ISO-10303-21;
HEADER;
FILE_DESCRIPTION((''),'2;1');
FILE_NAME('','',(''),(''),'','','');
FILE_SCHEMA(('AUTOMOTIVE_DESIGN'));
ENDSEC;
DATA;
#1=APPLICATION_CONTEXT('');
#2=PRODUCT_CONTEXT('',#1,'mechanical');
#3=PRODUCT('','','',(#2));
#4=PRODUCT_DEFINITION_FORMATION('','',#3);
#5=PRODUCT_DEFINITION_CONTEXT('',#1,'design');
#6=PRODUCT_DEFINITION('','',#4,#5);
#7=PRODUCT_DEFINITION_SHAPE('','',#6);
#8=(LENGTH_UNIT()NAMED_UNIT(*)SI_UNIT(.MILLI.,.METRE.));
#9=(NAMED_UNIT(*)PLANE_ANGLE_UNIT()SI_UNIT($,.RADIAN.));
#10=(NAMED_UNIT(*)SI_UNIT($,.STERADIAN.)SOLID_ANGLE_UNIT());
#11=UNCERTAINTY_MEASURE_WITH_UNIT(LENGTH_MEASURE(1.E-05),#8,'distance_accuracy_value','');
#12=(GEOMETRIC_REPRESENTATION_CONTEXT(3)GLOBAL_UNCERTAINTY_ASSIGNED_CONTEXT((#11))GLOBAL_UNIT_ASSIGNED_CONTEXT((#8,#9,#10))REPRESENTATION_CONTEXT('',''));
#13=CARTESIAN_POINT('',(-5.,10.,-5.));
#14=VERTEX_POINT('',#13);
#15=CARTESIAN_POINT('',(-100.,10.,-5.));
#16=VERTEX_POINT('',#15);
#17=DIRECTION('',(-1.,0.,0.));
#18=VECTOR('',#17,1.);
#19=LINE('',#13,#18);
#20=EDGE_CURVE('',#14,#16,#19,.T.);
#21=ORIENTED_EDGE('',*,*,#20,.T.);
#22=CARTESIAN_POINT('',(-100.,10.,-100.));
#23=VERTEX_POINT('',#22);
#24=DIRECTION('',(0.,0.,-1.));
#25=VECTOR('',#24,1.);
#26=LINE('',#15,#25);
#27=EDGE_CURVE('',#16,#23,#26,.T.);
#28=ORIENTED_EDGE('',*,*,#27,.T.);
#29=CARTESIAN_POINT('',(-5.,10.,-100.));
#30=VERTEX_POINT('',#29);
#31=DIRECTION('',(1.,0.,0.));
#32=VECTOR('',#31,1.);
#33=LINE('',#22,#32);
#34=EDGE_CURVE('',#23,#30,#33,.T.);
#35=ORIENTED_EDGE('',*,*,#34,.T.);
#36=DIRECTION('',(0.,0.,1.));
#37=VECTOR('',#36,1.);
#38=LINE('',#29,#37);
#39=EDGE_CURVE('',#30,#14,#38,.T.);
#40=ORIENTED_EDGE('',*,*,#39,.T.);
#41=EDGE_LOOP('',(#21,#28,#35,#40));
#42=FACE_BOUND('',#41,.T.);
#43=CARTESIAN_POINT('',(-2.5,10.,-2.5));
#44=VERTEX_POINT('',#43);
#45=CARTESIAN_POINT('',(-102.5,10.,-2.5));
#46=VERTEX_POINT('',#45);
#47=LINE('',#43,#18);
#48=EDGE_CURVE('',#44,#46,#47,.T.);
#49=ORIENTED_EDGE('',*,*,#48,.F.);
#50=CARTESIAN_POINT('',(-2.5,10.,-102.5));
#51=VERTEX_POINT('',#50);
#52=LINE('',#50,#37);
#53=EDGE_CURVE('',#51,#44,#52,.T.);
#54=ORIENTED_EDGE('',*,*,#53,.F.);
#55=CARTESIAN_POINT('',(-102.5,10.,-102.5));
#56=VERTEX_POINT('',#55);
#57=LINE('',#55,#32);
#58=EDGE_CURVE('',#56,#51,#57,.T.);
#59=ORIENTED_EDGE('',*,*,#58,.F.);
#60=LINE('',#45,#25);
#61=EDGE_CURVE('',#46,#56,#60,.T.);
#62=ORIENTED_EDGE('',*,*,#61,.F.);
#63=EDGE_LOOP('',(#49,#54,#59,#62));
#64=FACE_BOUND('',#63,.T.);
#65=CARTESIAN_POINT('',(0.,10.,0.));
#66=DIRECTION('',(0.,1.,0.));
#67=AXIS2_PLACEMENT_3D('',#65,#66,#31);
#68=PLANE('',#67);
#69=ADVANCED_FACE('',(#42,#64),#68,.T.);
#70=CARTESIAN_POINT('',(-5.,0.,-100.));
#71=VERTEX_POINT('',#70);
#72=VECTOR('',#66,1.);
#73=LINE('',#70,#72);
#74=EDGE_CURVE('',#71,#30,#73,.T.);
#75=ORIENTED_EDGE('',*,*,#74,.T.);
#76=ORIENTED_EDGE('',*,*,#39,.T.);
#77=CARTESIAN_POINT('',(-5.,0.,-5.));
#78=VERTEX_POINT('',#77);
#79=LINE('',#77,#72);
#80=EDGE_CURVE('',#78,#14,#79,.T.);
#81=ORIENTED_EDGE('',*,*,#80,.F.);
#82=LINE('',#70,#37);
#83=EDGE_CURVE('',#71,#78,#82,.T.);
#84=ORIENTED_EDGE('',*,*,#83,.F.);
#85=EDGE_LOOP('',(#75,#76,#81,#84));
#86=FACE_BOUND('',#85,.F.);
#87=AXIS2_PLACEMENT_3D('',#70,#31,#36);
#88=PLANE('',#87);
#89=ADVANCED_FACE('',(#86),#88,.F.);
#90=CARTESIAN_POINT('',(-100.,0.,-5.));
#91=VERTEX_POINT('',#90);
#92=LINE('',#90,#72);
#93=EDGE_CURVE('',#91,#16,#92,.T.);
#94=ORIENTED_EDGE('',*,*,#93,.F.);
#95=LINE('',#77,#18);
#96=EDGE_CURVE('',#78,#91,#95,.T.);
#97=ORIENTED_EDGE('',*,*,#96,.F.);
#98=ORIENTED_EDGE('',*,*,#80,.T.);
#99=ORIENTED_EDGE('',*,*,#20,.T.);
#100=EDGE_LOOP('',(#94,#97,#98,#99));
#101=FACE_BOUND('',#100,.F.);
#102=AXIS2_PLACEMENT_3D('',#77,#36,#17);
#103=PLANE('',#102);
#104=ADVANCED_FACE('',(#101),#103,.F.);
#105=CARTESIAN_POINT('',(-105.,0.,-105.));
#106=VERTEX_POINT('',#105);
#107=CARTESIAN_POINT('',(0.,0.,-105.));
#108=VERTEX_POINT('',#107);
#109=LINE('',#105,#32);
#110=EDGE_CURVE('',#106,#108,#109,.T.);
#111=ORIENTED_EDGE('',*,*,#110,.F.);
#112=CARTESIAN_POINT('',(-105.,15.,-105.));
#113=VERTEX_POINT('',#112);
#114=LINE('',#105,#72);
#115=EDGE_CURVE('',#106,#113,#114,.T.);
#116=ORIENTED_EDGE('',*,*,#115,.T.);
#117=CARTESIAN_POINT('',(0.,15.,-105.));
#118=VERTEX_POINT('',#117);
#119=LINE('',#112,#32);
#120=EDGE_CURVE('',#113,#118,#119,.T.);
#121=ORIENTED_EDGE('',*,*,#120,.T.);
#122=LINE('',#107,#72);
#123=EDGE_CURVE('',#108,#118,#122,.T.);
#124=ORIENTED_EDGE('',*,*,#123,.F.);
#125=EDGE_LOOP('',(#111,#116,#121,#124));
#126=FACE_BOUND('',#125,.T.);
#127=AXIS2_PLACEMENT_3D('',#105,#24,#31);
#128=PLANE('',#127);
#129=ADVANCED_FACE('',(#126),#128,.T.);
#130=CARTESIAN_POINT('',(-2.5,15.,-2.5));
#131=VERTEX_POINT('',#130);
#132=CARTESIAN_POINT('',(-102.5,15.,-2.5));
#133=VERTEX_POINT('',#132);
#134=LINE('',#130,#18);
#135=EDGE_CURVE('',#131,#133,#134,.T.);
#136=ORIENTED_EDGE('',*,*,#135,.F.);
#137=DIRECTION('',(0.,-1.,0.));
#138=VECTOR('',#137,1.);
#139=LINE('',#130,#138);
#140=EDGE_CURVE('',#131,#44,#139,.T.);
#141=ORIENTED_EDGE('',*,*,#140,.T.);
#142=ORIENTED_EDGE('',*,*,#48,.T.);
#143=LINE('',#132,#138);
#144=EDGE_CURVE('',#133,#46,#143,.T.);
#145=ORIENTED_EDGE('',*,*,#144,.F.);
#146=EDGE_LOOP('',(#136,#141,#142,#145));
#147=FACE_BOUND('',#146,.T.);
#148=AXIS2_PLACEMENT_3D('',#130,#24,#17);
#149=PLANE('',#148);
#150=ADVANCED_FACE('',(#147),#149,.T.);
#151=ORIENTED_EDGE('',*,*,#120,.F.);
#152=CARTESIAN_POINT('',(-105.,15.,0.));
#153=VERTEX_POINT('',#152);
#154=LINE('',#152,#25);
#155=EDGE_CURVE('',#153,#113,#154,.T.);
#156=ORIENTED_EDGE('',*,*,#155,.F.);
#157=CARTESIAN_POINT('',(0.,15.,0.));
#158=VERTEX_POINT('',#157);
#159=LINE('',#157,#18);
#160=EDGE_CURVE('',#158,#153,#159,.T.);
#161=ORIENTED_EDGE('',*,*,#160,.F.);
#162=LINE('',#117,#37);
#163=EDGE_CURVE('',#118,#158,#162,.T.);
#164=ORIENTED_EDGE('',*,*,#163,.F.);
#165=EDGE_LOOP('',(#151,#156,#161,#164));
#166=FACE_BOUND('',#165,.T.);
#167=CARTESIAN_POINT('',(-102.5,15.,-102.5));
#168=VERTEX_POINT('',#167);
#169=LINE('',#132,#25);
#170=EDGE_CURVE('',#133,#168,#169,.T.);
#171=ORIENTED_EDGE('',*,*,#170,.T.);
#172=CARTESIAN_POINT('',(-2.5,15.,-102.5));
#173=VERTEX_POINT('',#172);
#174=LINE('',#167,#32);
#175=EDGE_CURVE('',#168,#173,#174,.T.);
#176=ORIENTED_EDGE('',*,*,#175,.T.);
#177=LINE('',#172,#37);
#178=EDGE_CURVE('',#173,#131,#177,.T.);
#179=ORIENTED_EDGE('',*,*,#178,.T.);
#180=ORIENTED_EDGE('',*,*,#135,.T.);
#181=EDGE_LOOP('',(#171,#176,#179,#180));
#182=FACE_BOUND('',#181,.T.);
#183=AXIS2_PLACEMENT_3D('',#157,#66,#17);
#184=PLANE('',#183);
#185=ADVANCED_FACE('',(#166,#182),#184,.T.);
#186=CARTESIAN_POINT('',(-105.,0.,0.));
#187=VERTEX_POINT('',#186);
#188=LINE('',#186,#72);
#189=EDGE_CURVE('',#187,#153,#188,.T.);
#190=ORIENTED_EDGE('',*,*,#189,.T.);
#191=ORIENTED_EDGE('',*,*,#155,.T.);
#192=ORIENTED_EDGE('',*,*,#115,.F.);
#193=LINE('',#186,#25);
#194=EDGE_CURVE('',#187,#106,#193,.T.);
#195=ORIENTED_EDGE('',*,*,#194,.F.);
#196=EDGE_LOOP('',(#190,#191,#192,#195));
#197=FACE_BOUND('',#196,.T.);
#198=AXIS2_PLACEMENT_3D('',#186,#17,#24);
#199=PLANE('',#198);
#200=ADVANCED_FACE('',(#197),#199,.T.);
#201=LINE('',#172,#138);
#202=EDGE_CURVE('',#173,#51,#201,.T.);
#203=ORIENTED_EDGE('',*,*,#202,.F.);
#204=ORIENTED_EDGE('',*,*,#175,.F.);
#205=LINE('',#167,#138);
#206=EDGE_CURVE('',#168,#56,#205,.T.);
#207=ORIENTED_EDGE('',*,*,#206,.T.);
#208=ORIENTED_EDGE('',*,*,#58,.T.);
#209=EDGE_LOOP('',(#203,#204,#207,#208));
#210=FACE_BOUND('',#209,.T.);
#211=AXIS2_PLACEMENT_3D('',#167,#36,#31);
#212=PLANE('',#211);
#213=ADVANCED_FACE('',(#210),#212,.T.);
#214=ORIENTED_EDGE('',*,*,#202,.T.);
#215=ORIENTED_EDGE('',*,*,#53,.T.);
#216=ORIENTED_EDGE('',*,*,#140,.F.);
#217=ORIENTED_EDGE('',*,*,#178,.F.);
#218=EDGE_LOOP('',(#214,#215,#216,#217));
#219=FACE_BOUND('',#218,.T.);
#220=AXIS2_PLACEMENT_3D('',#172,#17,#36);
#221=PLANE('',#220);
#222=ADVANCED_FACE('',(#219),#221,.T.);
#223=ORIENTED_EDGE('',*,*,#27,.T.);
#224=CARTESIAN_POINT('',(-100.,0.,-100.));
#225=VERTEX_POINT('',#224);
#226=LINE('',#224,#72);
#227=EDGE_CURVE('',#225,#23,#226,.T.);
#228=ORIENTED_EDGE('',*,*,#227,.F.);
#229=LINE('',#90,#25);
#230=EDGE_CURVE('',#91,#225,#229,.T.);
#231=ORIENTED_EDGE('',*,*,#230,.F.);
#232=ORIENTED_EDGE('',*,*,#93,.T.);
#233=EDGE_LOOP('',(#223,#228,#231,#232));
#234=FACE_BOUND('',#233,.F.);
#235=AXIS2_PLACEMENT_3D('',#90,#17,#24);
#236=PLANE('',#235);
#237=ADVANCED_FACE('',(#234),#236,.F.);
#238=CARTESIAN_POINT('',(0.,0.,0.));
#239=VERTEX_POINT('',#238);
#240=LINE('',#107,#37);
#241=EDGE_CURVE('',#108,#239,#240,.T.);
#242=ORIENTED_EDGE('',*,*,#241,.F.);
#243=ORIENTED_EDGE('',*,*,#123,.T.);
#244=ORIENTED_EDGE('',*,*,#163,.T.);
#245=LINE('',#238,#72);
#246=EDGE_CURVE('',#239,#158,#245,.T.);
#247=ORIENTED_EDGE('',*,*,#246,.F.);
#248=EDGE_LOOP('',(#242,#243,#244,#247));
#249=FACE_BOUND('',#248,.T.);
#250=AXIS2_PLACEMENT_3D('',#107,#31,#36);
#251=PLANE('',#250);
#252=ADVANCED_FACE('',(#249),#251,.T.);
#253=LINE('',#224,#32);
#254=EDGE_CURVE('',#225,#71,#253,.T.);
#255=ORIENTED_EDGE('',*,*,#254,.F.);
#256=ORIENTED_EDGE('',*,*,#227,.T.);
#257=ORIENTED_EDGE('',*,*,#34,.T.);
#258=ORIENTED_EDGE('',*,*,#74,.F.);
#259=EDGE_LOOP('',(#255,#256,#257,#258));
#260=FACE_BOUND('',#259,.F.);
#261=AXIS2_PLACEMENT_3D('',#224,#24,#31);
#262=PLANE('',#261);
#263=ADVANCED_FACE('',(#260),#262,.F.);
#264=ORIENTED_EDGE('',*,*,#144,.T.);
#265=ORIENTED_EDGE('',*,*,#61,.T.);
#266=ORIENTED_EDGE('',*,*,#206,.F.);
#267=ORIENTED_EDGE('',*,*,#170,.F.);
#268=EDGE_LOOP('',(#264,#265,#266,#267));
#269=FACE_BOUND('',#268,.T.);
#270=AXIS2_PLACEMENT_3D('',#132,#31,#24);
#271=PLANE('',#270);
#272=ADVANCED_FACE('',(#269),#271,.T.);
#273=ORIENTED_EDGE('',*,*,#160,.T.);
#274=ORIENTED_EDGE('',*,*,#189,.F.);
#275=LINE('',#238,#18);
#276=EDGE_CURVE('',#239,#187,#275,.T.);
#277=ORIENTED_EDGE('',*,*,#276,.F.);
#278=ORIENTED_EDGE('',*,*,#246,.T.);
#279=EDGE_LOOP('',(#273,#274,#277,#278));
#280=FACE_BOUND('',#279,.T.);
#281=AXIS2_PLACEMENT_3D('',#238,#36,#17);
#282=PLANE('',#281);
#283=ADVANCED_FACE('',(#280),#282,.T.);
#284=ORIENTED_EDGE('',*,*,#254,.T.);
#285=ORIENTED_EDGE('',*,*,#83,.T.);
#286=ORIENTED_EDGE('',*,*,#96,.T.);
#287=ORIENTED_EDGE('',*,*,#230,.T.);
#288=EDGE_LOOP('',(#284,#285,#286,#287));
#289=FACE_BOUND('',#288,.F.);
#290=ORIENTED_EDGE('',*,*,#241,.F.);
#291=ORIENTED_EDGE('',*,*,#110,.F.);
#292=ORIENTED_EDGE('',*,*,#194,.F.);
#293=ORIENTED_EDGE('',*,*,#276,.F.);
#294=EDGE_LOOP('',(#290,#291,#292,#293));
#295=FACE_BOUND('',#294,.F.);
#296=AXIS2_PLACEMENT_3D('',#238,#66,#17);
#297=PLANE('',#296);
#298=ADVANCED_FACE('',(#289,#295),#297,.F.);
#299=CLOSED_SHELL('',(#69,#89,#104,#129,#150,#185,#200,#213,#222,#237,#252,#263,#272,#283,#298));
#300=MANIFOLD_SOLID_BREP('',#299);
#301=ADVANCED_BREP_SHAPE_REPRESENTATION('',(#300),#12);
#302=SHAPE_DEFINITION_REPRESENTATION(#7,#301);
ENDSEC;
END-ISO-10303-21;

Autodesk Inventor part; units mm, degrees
ref_plane "YZ Plane" through (0, 0, 0) normal (1, 0, 0) x (0, 1, 0)
ref_plane "XZ Plane" through (0, 0, 0) normal (0, 1, 0) x (-1, 0, 0)
ref_plane "XY Plane" through (0, 0, 0) normal (0, 0, 1) x (1, 0, 0)
sketch "Esquisse2" plane through (0, 0, 0) normal (0, 1, 0) x (-1, 0, 0)
  line L0 (0, 0) -> (105, 0)
  line L1 (105, 0) -> (105, -105)
  line L2 (105, -105) -> (0, -105)
  line L3 (0, -105) -> (0, 0)
  line L4 (5, -5) -> (100, -5)
  line L5 (100, -5) -> (100, -100)
  line L6 (100, -100) -> (5, -100)
  line L7 (5, -100) -> (5, -5)
  dimension "d5" = 105
  dimension "d6" = 105
  dimension "d7" = 95
  dimension "d8" = 95
extrude "Extrusion1" add sketch "Esquisse2" along normal blind 15
sketch "Esquisse3" plane through (0, 15, 0) normal (0, 1, 0) x (1, 0, 0)
  line L0 (-5, 5) -> (-100, 5) projected
  line L1 (-5, 5) -> (-100, 5)
  line L2 (-100, 5) -> (-100, 100)
  line L3 (-100, 100) -> (-5, 100)
  line L4 (-5, 100) -> (-5, 5)
  line L5 (-2.5, 2.5) -> (-102.5, 2.5)
  line L6 (-102.5, 2.5) -> (-102.5, 102.5)
  line L7 (-102.5, 102.5) -> (-2.5, 102.5)
  line L8 (-2.5, 102.5) -> (-2.5, 2.5)
  point P0 (0, 0)
  dimension "d11" = 95
  dimension "d12" = 95
  dimension "d13" = 100
  dimension "d14" = 100
extrude "Extrusion2" cut sketch "Esquisse3" against normal blind 5
properties part number "rebord2"
